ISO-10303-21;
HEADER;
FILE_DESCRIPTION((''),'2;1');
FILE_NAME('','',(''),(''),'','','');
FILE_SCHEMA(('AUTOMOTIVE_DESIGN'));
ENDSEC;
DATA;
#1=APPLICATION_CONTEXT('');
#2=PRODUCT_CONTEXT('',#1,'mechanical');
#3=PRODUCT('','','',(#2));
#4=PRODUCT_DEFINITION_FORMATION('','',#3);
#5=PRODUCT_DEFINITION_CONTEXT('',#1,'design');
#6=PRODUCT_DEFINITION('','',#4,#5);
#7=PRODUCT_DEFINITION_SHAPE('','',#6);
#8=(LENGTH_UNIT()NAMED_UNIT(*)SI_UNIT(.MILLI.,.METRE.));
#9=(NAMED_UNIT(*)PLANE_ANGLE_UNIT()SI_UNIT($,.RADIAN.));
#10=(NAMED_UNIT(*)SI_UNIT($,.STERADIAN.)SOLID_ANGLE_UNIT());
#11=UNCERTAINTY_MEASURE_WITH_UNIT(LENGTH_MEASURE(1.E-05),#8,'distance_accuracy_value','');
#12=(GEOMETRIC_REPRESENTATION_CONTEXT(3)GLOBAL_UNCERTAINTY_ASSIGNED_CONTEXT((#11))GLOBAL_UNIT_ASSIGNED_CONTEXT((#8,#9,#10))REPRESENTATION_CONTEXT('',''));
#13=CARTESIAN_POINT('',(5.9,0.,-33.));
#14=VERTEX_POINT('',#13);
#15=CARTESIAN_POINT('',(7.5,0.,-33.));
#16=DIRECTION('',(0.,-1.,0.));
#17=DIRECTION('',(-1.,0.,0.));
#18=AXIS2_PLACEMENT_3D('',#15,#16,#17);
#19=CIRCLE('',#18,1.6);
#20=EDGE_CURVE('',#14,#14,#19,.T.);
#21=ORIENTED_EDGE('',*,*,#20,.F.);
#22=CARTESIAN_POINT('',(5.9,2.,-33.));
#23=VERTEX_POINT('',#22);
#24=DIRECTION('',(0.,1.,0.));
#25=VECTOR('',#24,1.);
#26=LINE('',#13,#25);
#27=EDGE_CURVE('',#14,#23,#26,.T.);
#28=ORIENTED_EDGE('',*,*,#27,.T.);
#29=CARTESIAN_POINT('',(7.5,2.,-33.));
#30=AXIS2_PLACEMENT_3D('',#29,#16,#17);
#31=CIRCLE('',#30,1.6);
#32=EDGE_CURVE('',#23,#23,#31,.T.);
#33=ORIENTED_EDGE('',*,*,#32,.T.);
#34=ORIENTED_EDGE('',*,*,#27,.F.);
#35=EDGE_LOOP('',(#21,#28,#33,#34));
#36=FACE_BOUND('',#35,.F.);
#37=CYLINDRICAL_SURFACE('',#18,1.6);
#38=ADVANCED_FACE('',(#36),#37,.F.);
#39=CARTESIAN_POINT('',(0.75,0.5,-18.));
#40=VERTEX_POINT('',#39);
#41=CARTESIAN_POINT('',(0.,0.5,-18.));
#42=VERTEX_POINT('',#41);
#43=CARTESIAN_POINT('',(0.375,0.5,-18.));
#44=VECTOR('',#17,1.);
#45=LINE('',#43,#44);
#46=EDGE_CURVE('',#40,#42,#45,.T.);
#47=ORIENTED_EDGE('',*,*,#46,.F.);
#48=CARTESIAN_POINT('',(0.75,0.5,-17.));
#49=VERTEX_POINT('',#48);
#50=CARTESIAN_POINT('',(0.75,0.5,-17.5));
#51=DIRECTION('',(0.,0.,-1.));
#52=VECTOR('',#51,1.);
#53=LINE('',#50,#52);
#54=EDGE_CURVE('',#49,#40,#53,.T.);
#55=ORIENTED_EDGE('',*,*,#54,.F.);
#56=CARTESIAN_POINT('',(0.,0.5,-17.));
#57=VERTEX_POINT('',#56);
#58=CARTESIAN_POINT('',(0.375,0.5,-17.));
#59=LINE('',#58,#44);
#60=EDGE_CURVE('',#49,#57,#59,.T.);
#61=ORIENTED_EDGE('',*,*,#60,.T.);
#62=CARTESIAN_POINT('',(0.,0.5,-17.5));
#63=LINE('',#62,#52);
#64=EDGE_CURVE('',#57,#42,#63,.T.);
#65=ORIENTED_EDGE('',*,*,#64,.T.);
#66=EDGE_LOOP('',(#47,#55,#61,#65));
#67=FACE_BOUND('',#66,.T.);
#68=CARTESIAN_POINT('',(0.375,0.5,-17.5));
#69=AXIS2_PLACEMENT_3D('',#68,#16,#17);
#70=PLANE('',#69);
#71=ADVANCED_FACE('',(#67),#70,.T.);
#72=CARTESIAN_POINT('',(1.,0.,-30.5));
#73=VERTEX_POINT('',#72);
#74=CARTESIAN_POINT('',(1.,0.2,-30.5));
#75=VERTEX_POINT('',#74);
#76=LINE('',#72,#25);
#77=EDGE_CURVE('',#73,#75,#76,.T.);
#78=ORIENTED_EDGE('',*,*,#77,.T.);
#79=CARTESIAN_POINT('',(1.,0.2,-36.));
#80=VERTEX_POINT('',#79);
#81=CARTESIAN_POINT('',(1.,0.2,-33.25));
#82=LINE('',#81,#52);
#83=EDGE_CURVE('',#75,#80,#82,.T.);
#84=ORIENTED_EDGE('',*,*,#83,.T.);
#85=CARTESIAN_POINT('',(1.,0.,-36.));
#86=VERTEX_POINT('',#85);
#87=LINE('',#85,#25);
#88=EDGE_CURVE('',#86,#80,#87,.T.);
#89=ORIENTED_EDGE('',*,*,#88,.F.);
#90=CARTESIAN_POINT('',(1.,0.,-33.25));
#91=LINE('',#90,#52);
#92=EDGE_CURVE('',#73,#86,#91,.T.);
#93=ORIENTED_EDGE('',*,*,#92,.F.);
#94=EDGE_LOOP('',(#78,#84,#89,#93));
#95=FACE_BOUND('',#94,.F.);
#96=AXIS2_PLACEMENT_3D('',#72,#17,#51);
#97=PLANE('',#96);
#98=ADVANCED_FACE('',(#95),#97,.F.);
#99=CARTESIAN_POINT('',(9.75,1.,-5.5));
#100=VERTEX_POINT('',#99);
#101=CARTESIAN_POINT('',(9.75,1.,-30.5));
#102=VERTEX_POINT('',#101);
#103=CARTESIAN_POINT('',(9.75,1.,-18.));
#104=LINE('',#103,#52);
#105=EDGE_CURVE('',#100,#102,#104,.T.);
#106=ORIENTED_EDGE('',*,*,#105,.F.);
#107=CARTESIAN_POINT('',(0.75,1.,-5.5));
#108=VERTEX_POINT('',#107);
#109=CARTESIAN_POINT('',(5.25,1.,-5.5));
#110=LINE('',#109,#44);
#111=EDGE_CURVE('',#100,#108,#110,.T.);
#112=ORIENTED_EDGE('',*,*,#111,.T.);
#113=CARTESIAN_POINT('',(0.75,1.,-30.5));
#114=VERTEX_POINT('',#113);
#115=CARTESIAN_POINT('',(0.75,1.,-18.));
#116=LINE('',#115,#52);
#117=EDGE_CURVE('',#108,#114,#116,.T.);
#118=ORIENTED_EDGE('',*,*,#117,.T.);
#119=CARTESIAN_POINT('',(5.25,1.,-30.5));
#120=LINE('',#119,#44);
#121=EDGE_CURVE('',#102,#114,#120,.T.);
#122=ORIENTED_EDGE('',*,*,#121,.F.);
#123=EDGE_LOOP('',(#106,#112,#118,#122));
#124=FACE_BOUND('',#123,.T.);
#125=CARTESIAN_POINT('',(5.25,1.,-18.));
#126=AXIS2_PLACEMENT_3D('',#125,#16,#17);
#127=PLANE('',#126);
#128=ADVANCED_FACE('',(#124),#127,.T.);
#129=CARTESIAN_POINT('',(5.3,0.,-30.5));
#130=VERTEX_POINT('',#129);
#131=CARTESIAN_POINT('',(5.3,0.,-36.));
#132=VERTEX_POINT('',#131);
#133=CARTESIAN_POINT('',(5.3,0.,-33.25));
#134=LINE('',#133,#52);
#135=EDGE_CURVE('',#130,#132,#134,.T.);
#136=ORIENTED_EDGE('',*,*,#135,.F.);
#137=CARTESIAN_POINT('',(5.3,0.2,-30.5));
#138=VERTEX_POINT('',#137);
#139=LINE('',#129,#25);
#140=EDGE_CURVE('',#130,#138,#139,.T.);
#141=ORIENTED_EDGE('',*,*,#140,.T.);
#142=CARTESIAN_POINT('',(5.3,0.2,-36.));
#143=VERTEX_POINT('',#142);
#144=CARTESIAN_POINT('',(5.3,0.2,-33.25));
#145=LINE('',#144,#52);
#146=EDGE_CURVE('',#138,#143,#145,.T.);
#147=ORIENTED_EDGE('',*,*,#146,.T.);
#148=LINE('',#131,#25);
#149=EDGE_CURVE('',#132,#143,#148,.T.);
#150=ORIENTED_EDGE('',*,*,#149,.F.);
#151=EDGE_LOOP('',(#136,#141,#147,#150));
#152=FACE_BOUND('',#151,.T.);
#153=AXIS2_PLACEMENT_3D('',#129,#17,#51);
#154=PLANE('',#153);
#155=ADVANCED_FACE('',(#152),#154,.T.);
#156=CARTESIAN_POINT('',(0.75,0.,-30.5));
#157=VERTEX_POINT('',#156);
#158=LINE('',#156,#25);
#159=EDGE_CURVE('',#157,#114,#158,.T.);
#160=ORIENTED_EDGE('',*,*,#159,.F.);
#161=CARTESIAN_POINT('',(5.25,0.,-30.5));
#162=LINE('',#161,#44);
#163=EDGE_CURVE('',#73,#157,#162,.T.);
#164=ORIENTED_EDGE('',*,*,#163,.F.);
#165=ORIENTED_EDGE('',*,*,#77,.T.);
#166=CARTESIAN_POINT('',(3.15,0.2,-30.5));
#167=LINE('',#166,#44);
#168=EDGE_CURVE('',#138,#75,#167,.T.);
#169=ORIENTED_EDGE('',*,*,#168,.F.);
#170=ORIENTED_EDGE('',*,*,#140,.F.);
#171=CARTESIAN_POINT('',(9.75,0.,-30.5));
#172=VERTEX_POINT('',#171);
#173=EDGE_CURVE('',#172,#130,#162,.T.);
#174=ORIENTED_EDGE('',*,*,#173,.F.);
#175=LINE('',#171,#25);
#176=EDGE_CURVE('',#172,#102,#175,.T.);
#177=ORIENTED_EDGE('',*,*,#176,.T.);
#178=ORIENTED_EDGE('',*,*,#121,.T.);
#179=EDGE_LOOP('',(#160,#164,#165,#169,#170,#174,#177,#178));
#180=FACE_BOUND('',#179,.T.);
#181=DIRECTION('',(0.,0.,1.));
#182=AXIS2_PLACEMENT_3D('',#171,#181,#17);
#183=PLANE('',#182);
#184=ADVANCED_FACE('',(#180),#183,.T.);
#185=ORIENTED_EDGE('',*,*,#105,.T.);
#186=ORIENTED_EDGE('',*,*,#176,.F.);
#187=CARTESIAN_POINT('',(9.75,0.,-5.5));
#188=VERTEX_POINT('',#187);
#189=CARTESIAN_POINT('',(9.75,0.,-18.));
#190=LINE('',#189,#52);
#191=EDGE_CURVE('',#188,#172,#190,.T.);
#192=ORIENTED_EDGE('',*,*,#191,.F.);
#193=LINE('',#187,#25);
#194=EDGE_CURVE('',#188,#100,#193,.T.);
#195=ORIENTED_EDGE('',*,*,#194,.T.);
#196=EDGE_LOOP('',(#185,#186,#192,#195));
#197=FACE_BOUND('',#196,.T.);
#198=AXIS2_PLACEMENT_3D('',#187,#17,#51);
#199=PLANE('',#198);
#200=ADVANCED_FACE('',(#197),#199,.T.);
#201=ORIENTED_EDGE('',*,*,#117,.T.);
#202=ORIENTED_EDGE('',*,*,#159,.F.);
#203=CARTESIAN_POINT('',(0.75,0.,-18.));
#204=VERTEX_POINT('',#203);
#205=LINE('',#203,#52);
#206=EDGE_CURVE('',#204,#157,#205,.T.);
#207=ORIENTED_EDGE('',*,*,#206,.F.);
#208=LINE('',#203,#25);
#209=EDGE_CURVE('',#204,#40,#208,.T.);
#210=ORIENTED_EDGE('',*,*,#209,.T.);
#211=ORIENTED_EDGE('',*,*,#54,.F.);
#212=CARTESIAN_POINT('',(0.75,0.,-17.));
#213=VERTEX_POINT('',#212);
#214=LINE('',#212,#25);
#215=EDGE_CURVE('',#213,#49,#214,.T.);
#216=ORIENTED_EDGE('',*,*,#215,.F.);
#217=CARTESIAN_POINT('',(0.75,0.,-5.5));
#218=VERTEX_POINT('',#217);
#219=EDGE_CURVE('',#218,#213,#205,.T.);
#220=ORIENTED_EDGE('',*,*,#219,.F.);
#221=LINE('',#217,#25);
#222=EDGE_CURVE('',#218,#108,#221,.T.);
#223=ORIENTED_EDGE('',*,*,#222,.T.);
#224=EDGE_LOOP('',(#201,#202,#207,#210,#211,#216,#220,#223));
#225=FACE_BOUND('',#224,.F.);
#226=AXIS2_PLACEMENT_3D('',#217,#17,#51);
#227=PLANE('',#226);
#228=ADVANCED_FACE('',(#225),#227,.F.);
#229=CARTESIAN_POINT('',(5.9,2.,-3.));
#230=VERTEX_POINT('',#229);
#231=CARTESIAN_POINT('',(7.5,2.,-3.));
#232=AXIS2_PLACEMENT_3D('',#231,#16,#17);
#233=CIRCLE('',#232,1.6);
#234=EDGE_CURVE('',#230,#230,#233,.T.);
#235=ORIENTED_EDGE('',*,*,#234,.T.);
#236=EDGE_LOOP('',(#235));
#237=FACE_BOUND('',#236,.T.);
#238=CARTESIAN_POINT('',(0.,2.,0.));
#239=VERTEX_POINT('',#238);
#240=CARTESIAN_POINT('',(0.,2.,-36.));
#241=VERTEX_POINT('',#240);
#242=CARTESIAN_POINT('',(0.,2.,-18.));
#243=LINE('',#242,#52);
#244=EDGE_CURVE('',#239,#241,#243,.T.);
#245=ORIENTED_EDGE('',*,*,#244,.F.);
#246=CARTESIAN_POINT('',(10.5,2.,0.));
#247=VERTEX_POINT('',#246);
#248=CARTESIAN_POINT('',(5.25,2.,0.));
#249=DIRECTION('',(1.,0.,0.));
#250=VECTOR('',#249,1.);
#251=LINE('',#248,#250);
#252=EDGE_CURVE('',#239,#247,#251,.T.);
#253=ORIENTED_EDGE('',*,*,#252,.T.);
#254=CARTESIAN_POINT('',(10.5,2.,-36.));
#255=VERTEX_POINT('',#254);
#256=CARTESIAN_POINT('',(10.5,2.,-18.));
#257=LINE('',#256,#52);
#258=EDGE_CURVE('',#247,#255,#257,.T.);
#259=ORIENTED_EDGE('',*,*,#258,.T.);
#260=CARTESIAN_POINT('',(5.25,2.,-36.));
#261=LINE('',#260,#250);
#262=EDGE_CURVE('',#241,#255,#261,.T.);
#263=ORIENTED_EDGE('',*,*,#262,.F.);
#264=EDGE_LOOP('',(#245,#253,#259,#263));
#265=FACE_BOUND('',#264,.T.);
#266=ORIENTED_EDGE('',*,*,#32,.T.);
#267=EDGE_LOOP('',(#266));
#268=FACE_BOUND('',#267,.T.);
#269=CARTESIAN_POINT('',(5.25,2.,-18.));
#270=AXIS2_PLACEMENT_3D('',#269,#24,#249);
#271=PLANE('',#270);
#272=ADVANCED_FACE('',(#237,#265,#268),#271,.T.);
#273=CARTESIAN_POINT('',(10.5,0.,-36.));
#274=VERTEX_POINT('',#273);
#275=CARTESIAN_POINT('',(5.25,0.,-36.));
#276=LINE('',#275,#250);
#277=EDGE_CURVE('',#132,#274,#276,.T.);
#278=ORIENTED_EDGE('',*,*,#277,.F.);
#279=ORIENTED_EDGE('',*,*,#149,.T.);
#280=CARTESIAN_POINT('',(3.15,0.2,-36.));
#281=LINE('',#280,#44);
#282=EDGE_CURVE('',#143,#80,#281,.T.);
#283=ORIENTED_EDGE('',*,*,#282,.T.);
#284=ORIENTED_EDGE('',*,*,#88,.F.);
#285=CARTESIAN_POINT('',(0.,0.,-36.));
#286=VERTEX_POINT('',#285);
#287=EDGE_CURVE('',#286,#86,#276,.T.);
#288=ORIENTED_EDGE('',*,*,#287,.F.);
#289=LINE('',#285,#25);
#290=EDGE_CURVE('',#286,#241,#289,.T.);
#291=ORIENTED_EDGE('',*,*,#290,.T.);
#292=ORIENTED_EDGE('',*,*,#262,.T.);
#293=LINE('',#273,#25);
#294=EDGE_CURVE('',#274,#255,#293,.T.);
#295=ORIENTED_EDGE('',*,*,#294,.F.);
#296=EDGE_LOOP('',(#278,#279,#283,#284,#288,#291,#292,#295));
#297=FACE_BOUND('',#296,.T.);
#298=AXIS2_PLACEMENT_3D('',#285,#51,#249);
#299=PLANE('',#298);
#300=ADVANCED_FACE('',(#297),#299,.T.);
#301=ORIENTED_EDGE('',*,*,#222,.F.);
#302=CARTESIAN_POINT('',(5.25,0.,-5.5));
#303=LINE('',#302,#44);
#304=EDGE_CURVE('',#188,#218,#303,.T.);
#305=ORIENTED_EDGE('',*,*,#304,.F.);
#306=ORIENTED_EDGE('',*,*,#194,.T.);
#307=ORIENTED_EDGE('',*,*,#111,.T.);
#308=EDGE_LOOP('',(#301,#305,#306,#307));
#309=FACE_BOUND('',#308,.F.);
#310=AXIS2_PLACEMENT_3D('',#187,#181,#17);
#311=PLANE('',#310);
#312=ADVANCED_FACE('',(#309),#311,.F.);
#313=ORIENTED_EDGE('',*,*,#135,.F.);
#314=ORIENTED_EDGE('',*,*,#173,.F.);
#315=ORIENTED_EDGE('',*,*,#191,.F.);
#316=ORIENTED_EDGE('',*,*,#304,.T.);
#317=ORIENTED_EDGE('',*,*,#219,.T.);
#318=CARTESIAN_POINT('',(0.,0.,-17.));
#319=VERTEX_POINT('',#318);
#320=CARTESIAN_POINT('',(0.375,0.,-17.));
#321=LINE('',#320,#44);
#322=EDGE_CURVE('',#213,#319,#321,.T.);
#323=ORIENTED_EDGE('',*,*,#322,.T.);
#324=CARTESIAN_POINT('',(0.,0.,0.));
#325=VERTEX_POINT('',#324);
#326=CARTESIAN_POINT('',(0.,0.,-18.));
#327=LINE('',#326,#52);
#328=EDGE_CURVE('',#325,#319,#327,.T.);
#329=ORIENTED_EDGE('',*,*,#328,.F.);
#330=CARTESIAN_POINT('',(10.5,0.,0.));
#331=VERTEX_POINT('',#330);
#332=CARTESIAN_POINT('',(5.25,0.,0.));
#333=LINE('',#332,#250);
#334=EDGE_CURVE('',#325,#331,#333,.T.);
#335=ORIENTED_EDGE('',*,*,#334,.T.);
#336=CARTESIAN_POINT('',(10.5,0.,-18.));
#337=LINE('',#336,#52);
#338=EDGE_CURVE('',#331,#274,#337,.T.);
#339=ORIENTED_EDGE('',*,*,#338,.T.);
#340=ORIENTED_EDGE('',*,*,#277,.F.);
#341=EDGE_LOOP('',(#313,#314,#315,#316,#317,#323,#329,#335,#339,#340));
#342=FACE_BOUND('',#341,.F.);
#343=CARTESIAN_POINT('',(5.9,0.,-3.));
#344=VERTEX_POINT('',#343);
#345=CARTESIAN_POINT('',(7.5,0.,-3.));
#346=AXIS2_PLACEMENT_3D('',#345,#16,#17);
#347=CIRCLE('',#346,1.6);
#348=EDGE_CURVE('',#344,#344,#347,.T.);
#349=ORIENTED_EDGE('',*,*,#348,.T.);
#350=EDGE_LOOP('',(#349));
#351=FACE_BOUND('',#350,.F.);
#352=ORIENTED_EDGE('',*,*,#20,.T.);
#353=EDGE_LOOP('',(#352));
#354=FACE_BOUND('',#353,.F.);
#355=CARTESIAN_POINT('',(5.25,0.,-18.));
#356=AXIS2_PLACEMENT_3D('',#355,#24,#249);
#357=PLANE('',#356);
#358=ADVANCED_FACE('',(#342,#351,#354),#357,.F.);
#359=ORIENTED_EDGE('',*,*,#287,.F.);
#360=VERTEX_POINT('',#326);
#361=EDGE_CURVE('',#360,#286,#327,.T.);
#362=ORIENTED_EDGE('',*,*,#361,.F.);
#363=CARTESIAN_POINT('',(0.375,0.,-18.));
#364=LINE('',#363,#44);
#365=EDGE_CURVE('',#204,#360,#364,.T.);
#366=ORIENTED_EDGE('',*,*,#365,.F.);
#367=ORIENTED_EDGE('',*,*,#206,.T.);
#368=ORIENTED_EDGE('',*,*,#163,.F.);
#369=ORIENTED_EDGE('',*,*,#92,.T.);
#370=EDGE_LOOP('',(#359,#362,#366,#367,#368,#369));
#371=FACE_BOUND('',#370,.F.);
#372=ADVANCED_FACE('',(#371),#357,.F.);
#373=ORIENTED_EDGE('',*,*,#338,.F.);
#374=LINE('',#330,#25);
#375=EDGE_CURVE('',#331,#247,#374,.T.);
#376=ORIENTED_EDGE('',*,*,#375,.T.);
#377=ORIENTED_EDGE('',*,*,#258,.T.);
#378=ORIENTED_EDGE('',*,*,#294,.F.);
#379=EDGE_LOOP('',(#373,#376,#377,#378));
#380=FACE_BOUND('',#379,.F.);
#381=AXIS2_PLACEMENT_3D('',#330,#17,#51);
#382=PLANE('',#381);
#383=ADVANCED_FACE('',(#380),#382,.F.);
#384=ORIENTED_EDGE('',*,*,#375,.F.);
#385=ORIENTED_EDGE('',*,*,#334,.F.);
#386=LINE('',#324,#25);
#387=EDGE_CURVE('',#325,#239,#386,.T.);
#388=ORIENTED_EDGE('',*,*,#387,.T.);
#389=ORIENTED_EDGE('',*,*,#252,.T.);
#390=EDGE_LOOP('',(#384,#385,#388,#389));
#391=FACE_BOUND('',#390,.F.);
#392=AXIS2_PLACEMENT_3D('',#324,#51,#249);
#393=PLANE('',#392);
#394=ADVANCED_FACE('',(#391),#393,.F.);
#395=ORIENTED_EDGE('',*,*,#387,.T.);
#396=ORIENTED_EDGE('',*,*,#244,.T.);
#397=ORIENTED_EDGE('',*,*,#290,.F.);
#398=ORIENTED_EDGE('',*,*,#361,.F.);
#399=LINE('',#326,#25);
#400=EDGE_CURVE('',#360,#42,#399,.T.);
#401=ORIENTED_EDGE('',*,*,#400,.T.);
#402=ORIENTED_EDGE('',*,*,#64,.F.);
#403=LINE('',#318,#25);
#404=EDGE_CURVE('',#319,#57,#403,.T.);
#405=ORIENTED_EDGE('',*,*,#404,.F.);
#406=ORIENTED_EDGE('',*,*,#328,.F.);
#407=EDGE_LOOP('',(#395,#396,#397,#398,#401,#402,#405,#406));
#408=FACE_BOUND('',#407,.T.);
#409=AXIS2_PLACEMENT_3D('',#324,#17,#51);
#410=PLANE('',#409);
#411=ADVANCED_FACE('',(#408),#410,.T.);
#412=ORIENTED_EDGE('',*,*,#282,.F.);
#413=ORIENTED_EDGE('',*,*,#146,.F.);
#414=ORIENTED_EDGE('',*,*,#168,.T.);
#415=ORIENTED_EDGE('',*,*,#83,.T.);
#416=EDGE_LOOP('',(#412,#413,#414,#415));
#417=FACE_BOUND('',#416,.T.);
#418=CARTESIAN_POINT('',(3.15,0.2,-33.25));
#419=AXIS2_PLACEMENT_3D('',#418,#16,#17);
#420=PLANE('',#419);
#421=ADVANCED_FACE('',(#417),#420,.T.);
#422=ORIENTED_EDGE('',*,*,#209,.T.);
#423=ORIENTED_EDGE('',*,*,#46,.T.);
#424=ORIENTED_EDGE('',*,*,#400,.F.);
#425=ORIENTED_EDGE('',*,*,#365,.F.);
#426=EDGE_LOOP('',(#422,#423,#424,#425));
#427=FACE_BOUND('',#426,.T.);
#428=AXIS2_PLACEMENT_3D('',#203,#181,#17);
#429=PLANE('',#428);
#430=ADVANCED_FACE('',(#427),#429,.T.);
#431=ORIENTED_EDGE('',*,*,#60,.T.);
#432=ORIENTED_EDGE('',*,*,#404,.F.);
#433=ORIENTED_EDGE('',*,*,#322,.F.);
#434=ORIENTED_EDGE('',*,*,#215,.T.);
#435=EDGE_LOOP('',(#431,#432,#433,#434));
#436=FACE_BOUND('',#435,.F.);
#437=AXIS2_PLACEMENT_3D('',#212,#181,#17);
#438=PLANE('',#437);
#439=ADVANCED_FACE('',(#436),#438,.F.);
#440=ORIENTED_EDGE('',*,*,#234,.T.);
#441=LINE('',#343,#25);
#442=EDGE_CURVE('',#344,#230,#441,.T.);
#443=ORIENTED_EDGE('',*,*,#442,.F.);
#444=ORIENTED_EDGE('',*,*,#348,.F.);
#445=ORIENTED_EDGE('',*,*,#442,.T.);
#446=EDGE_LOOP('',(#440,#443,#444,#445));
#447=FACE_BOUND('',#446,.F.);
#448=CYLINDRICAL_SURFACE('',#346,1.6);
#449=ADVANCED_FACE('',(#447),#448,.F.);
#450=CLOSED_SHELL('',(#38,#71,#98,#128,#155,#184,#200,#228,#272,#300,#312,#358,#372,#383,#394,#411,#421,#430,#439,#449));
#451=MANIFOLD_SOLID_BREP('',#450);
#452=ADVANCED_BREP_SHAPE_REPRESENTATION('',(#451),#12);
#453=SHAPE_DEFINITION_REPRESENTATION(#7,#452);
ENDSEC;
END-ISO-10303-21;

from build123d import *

# Parameters (mm, degrees)
SKETCH_1_W          = 10.5
SKETCH_1_H          = 36
EXTRUDE_1_DEPTH     = 2
SKETCH_2_R          = 1.6
CUT_EXTRUDE_1_DEPTH = 3
SKETCH_3_W          = 9
SKETCH_3_H          = 25
CUT_EXTRUDE_2_DEPTH = 1
SKETCH_6_W          = 0.75
SKETCH_6_H          = 1
CUT_EXTRUDE_3_DEPTH = 0.5
SKETCH_7_W          = 4.3
SKETCH_7_H          = 5.5
CUT_EXTRUDE_4_DEPTH = 0.2


with BuildPart() as part:
    # 草图1 → 凸台-拉伸1 (new body)
    with BuildSketch(Plane(origin=(0, 0, 0), x_dir=(1, 0, 0), z_dir=(0, 1, 0))):
        with Locations((5.25, 18)):
            Rectangle(SKETCH_1_W, SKETCH_1_H)
    extrude(amount=EXTRUDE_1_DEPTH)

    # 草图2 → 切除-拉伸1 (cut, through all)
    with BuildSketch(Plane(origin=(0, 0, 0), x_dir=(-1, 0, 0), z_dir=(0, -1, 0))):
        with Locations((-7.5, 33)):
            Circle(SKETCH_2_R)
        with Locations((-7.5, 3)):
            Circle(SKETCH_2_R)
    extrude(amount=-CUT_EXTRUDE_1_DEPTH, mode=Mode.SUBTRACT)

    # 草图3 → 切除-拉伸2 (cut)
    with BuildSketch(Plane(origin=(0, 0, 0), x_dir=(-1, 0, 0), z_dir=(0, -1, 0))):
        with Locations((-5.25, 18)):
            Rectangle(SKETCH_3_W, SKETCH_3_H)
    extrude(amount=-CUT_EXTRUDE_2_DEPTH, mode=Mode.SUBTRACT)

    # 草图6 → 切除-拉伸3 (cut)
    with BuildSketch(Plane(origin=(0, 0, 0), x_dir=(-1, 0, 0), z_dir=(0, -1, 0))):
        with Locations((-0.375, 17.5)):
            Rectangle(SKETCH_6_W, SKETCH_6_H)
    extrude(amount=-CUT_EXTRUDE_3_DEPTH, mode=Mode.SUBTRACT)

    # 草图7 → 切除-拉伸4 (cut)
    with BuildSketch(Plane(origin=(0, 0, 0), x_dir=(-1, 0, 0), z_dir=(0, -1, 0))):
        with Locations((-3.15, 33.25)):
            Rectangle(SKETCH_7_W, SKETCH_7_H)
    extrude(amount=-CUT_EXTRUDE_4_DEPTH, mode=Mode.SUBTRACT)


solid = part.part
